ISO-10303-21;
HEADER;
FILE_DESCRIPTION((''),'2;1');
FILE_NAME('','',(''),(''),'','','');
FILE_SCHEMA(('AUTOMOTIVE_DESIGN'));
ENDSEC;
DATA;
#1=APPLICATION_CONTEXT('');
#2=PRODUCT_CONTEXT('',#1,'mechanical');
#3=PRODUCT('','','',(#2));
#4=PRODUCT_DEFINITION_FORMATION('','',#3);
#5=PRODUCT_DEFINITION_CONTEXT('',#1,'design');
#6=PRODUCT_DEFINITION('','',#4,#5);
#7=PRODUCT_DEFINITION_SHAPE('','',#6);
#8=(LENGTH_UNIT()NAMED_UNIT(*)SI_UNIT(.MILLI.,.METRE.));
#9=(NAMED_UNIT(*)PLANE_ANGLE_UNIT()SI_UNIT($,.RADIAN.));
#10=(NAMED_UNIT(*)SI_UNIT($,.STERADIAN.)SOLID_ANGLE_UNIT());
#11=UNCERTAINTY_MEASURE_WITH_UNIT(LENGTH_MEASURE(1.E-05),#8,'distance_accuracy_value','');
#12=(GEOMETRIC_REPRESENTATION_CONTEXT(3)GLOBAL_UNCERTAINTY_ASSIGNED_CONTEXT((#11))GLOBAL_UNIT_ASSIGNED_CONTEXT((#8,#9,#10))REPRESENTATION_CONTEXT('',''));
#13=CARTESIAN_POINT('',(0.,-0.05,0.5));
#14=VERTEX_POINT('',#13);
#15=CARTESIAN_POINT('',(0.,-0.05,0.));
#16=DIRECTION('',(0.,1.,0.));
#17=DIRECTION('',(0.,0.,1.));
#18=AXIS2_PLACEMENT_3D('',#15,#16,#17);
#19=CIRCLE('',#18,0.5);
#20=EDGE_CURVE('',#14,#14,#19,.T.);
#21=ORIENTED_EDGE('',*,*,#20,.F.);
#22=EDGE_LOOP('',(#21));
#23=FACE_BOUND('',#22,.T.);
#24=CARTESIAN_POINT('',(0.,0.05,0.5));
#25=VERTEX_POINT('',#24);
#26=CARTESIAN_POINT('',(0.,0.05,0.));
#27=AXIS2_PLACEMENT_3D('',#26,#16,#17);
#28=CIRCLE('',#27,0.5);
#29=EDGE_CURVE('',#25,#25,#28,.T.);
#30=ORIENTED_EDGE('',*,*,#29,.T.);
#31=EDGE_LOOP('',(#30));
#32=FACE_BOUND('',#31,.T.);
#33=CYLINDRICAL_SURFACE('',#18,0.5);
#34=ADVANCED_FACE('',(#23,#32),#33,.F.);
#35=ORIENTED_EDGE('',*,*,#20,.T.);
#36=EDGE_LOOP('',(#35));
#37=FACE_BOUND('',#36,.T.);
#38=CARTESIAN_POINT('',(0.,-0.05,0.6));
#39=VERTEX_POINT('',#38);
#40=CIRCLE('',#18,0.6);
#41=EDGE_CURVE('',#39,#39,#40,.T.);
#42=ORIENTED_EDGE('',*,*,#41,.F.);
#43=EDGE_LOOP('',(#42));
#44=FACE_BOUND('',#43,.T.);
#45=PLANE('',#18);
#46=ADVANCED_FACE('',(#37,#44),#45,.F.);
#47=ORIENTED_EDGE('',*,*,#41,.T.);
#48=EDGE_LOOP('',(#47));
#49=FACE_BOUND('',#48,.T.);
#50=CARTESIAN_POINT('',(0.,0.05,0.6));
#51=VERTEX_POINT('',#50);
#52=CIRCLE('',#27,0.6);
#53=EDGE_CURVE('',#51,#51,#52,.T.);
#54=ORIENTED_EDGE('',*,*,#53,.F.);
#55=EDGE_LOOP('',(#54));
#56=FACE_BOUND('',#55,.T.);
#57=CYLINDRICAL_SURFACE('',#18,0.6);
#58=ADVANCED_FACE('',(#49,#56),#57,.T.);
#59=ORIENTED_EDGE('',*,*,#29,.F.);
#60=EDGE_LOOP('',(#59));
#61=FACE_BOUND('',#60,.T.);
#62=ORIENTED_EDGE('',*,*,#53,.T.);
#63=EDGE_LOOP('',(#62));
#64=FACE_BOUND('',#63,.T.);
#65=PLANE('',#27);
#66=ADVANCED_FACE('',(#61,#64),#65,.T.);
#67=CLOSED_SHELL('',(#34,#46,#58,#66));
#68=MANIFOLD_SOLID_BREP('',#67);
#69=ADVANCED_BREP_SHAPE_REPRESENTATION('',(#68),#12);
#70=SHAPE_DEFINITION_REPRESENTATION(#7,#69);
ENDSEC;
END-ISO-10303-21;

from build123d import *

# Parameters (mm, degrees)
BOSS_EXTRUDE1_DEPTH      = 0.05
BOSS_EXTRUDE1_DEPTH_BACK = 0.05
SKETCH2_R                = 0.6
SKETCH2_R_2              = 0.5


with BuildPart() as part:
    # Sketch2 → Boss-Extrude1 (new, two sides: drawn at the far end of the back side and taken through both)
    with BuildSketch(Plane(origin=(0, 0, 0), x_dir=(1, 0, 0), z_dir=(0, 1, 0)).offset(-BOSS_EXTRUDE1_DEPTH_BACK)):
        Circle(SKETCH2_R)
        Circle(SKETCH2_R_2, mode=Mode.SUBTRACT)
    extrude(amount=BOSS_EXTRUDE1_DEPTH + BOSS_EXTRUDE1_DEPTH_BACK)


solid = part.part
